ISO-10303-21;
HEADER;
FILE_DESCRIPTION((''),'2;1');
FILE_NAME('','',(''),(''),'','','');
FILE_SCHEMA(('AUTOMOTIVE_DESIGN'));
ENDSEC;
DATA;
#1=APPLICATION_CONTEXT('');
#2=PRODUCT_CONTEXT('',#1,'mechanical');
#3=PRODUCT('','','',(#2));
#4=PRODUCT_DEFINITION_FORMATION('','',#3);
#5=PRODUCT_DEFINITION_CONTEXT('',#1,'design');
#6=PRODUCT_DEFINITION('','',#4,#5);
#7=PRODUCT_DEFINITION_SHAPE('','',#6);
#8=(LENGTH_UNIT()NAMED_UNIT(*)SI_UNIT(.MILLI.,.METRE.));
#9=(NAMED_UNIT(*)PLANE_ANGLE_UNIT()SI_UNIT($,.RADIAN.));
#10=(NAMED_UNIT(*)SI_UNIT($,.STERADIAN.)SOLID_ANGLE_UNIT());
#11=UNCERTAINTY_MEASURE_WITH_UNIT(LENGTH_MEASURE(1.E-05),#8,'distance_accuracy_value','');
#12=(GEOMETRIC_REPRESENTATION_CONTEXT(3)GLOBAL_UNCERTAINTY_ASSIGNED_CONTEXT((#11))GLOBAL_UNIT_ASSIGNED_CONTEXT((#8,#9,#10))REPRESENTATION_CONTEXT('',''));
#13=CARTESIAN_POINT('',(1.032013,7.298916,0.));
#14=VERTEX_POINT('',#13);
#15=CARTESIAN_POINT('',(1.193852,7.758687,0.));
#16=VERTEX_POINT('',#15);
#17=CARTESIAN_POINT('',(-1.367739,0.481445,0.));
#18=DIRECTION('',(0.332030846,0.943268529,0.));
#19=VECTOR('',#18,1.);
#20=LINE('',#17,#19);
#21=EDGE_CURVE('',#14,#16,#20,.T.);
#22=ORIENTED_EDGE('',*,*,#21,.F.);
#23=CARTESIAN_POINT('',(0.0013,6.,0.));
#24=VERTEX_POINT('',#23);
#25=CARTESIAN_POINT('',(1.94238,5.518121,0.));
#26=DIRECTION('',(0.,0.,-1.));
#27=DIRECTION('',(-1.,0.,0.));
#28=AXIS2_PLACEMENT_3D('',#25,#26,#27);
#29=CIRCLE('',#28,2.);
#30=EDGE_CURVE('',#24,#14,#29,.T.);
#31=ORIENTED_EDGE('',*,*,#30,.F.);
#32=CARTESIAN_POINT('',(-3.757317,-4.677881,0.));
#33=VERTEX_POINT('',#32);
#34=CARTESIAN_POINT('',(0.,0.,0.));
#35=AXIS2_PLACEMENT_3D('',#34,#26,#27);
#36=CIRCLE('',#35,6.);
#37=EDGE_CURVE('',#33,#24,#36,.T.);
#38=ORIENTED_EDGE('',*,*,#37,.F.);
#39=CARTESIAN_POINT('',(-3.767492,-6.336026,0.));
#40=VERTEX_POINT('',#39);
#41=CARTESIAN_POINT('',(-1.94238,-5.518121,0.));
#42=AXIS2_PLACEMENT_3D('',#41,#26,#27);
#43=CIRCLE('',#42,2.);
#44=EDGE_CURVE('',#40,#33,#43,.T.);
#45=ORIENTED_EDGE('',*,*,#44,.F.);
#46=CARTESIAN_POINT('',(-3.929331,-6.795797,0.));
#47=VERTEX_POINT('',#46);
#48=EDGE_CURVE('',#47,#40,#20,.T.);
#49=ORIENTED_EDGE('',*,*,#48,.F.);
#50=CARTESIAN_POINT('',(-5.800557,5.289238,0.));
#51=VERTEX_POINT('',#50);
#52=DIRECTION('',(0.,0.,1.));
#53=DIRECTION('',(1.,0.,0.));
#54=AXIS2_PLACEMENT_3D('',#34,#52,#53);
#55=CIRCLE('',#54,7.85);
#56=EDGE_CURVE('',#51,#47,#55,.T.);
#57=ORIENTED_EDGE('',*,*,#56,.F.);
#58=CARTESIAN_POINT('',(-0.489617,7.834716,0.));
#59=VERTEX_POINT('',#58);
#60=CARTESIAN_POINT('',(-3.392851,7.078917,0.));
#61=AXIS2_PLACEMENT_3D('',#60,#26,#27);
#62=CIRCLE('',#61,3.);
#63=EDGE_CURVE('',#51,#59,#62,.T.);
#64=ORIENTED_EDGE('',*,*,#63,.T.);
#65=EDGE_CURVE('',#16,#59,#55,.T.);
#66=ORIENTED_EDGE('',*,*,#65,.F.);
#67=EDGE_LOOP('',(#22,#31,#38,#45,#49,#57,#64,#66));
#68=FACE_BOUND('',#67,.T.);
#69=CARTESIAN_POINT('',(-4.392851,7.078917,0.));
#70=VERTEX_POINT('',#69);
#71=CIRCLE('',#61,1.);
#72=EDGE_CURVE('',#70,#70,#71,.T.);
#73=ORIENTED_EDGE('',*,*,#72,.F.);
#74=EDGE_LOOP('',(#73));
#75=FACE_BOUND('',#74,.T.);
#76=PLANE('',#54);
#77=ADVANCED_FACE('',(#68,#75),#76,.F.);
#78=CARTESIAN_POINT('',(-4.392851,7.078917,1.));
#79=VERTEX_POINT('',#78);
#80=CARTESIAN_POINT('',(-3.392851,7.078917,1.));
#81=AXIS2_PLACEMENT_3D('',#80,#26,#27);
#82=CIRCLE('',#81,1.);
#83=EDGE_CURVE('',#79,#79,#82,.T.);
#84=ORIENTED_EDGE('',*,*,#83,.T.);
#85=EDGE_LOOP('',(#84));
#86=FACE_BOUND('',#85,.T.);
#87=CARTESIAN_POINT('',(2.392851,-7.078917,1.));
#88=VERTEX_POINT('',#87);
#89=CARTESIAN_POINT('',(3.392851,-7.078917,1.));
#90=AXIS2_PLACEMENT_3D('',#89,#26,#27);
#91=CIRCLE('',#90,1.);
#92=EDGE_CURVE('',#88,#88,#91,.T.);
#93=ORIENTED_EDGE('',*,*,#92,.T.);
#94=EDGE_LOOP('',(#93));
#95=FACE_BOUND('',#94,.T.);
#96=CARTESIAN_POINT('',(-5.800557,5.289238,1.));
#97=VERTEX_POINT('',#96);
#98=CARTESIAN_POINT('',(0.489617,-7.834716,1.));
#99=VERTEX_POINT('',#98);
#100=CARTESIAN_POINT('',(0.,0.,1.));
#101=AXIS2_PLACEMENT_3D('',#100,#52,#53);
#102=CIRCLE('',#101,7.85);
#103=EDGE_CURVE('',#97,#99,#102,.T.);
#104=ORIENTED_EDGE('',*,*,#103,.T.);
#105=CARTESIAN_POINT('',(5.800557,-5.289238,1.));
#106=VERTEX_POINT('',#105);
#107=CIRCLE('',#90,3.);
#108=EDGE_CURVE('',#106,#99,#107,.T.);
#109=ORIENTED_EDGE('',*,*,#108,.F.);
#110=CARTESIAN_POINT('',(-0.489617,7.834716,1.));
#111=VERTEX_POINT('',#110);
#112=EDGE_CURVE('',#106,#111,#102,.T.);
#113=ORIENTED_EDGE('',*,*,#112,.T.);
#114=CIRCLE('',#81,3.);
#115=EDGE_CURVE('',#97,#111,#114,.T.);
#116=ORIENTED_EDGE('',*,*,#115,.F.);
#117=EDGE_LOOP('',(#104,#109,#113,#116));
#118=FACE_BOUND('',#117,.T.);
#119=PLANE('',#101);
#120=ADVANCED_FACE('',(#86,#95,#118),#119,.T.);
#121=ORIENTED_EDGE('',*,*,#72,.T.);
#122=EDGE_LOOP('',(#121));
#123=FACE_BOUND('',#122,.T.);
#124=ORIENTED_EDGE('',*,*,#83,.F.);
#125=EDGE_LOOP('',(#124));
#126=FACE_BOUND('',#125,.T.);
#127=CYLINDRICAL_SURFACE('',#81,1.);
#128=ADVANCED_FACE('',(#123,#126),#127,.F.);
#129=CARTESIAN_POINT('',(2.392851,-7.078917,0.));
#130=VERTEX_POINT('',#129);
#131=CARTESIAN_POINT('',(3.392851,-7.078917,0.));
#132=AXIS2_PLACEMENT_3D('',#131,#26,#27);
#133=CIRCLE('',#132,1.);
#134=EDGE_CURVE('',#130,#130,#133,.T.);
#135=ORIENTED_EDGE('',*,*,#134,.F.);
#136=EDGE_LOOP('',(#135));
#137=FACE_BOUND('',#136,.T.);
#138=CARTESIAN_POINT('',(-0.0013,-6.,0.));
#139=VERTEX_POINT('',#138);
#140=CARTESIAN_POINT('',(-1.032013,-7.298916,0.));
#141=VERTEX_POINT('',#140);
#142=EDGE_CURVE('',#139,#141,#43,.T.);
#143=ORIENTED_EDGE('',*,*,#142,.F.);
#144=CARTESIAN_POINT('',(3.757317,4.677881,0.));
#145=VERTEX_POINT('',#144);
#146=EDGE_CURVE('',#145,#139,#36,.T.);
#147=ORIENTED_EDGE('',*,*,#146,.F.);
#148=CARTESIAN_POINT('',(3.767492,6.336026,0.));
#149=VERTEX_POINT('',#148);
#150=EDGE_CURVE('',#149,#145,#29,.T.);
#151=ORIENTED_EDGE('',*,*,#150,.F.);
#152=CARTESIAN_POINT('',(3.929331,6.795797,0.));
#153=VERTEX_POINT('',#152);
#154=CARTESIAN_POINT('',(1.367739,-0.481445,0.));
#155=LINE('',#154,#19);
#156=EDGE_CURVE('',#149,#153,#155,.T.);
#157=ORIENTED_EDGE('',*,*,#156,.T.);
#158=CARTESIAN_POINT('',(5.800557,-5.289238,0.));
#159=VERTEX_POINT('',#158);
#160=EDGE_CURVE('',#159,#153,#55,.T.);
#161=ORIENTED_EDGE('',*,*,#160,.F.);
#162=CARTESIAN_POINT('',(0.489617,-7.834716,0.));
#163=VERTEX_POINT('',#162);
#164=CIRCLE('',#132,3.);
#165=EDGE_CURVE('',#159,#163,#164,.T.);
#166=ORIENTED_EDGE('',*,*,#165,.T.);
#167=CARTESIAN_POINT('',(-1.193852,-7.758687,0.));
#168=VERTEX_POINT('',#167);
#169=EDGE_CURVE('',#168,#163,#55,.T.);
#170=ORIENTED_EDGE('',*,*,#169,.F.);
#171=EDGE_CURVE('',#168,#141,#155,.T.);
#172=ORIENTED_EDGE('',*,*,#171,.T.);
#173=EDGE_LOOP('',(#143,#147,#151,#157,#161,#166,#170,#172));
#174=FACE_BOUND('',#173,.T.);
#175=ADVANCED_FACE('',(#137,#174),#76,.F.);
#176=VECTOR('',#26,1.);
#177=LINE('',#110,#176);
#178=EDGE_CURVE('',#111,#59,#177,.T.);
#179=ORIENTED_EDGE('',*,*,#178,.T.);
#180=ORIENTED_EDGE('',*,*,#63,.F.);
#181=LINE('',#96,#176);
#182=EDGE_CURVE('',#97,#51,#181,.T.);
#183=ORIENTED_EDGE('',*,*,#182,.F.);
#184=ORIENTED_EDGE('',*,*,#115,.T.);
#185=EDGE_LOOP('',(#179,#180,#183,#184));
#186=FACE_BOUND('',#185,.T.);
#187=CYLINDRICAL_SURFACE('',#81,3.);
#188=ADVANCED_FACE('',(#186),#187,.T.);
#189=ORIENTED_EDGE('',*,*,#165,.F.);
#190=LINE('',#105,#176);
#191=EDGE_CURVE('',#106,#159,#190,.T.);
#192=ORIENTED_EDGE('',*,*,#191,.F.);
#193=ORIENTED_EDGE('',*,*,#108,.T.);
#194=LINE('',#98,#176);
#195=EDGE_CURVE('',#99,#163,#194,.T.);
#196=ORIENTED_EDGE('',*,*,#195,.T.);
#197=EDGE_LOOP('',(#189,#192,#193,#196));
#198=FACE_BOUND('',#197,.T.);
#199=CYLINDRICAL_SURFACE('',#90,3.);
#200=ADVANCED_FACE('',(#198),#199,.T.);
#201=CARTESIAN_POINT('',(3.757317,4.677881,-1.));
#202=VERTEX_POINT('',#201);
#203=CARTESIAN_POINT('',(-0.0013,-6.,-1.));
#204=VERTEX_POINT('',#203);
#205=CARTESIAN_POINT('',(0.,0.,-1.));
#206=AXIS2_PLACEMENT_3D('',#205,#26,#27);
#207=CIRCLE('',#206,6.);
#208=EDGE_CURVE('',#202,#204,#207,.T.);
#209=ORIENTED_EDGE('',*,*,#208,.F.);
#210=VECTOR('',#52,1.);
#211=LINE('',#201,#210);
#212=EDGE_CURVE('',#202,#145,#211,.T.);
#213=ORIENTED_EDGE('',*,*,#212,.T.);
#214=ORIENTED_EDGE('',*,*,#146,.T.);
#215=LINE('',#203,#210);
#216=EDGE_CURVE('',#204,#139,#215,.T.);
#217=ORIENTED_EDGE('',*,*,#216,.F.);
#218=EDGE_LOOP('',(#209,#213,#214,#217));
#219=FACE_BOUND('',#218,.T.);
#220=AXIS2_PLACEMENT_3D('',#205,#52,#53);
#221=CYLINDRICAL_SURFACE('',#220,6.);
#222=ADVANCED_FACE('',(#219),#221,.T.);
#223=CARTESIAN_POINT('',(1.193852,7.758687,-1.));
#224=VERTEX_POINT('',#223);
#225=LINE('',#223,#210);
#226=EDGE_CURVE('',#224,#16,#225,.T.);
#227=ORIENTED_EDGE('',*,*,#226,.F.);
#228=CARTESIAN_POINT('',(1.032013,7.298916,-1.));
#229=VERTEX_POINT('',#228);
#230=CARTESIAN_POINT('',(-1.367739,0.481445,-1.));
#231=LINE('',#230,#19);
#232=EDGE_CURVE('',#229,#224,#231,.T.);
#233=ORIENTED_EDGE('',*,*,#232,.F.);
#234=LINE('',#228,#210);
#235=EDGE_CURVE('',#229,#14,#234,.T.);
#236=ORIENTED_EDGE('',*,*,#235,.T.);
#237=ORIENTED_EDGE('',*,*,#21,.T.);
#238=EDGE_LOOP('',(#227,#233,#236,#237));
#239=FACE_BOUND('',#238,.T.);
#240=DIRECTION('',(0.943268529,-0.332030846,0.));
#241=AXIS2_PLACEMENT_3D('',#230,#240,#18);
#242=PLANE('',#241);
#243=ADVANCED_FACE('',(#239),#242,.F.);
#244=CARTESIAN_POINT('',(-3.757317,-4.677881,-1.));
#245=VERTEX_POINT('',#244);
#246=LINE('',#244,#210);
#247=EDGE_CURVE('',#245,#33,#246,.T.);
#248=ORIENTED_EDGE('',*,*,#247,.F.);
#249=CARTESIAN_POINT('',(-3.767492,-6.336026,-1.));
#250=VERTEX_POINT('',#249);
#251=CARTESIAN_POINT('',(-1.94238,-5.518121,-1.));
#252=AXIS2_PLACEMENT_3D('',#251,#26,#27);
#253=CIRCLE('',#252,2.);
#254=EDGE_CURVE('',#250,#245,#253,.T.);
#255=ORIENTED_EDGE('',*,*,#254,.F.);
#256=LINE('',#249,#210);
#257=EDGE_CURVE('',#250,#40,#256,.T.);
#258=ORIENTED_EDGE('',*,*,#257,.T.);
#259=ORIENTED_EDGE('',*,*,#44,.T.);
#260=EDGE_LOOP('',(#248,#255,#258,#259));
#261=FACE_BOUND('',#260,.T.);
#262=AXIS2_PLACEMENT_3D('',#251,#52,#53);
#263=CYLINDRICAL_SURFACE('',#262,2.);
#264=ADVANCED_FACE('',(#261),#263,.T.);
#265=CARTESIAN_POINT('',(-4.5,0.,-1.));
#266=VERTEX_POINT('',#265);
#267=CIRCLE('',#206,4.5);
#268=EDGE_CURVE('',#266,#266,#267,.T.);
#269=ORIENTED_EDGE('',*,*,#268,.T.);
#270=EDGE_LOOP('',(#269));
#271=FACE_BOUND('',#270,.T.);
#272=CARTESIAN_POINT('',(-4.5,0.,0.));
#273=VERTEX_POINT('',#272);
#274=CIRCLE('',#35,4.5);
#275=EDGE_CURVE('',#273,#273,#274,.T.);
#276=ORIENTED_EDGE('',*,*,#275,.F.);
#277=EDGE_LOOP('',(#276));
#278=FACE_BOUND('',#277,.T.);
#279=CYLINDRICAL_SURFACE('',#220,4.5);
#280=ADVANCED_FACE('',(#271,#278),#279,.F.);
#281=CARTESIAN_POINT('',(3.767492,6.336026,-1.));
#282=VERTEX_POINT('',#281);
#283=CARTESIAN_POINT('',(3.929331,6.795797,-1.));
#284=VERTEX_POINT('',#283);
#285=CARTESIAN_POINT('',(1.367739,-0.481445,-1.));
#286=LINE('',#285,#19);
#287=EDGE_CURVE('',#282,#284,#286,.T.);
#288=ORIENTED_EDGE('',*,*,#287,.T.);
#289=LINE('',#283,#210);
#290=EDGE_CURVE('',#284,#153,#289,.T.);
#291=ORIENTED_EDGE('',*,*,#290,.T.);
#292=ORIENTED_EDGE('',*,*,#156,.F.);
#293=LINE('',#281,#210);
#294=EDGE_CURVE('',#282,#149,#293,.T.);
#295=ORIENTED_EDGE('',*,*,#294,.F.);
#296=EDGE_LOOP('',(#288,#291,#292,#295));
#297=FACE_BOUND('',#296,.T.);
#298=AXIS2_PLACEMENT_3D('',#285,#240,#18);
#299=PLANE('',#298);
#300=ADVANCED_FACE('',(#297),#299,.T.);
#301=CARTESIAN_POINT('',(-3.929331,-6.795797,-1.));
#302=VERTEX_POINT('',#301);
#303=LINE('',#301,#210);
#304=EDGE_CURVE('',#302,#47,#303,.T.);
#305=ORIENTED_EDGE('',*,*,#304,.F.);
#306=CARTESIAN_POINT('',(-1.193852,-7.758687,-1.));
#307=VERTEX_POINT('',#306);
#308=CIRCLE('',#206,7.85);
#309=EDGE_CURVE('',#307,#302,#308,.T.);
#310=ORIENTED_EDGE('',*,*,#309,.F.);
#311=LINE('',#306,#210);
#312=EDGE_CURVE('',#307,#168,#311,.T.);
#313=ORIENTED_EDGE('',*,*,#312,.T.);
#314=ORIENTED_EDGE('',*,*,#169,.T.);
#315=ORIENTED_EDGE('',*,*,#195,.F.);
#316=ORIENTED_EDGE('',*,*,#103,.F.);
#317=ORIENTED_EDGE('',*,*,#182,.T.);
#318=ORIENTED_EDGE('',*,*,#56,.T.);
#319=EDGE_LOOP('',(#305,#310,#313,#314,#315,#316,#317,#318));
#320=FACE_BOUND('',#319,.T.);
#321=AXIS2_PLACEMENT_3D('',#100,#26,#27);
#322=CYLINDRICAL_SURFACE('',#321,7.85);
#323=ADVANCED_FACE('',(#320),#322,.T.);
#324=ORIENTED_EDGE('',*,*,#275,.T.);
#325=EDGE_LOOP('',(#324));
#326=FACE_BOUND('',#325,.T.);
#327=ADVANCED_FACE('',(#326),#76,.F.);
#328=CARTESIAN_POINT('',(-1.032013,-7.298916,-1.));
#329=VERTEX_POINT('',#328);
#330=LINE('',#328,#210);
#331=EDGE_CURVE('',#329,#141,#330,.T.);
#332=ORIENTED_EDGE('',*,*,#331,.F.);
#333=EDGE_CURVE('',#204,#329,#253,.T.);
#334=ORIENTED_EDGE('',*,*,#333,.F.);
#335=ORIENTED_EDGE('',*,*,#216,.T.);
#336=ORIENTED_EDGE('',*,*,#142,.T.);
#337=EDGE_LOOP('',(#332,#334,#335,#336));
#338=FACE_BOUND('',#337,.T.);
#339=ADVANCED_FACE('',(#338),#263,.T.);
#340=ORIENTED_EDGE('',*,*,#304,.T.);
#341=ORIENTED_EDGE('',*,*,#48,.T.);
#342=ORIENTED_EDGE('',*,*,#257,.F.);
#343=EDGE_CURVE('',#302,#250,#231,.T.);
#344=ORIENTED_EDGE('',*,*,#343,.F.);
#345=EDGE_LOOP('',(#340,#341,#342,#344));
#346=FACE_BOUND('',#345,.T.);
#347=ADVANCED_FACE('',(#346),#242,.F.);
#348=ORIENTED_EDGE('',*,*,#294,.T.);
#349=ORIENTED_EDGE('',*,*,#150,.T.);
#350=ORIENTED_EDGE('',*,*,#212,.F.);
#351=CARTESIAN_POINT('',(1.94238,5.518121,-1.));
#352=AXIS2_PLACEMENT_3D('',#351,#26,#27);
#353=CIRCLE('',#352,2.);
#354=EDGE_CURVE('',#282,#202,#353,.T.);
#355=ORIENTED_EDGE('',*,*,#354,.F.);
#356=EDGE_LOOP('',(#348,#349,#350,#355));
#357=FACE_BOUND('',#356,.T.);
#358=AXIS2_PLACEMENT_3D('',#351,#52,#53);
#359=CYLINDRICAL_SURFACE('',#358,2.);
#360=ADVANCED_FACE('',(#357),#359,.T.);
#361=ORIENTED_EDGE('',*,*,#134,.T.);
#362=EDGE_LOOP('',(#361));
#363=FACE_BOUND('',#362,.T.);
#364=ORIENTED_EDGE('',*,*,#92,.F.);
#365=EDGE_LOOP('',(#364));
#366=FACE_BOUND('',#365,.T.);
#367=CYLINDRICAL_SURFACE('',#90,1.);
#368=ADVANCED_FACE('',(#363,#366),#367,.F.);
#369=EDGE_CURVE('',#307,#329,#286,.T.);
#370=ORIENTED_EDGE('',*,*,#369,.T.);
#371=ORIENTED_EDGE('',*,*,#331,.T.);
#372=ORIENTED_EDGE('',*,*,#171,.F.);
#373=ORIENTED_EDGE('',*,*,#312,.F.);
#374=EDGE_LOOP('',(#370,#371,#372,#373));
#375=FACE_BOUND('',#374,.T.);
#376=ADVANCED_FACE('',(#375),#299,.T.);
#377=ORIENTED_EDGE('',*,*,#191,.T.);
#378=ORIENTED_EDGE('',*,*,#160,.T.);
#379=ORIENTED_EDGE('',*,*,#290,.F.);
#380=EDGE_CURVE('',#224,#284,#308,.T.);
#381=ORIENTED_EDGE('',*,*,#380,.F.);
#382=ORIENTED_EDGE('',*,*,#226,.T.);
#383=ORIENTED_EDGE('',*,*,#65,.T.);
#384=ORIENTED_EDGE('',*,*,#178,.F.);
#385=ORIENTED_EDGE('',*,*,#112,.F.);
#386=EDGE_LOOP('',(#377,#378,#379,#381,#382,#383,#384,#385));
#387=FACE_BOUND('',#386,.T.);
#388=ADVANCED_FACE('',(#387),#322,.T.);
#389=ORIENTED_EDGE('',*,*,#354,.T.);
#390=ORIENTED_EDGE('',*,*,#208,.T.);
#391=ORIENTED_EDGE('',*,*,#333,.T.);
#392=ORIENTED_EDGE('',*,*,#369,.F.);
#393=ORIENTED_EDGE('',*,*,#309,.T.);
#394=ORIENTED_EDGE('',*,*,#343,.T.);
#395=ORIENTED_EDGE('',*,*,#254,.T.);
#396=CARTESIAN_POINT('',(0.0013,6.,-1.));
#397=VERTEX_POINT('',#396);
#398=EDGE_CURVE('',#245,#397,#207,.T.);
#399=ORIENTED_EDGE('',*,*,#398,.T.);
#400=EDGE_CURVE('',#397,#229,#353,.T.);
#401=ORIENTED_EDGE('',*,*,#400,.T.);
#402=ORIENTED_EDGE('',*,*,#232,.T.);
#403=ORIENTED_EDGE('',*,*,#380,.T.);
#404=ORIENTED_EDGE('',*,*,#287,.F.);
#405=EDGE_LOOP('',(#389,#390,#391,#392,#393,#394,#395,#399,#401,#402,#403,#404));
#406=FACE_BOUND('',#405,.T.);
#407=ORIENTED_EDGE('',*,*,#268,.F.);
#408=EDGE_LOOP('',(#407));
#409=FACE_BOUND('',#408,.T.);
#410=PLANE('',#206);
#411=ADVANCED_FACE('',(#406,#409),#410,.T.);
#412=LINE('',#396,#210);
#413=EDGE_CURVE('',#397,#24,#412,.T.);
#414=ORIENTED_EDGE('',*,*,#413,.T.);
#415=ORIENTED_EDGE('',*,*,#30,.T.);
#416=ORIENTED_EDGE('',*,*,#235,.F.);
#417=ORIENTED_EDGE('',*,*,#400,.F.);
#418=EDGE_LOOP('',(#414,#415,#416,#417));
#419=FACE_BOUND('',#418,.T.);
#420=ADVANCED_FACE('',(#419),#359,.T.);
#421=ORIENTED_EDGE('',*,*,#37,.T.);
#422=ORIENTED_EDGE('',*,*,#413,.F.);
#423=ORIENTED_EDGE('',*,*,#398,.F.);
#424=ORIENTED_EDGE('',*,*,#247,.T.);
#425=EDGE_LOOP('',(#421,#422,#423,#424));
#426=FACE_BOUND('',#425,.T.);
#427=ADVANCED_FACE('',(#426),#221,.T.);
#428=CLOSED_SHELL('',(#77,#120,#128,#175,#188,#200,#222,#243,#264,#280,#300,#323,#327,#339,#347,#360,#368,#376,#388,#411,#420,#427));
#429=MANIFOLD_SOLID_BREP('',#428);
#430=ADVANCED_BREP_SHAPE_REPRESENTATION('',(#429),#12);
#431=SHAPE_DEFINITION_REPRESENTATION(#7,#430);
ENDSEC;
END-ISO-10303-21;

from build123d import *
from build123d.topology import SkipClean

# Parameters (mm, degrees)
SKETCH1_R           = 7.85
BOSS_EXTRUDE1_DEPTH = 1
BOSS_EXTRUDE2_START = 1
SKETCH3_R           = 6
SKETCH3_R_2         = 4.5
BOSS_EXTRUDE2_DEPTH = 1
BOSS_EXTRUDE3_DEPTH = 1
SKETCH2_3_R         = 1
CUT_EXTRUDE1_DEPTH  = 2
SKETCH2_4_R         = 1
CUT_EXTRUDE2_DEPTH  = 3


with BuildPart() as part:
    # Sketch1 → Boss-Extrude1 (new body)
    with BuildSketch(Plane.XY):
        Circle(SKETCH1_R)
    extrude(amount=BOSS_EXTRUDE1_DEPTH)

    # Sketch3 → Boss-Extrude2 (add)
    # profile 1 of 3: a face of its own
    with SkipClean():  # the faces are left unmerged after this step: merging them gives an invalid solid
        with BuildSketch(Plane(origin=(0, 0, 0), x_dir=(-1, 0, 0), z_dir=(0, 0, -1)).offset(BOSS_EXTRUDE2_START)):
            Circle(SKETCH3_R)
            Circle(SKETCH3_R_2, mode=Mode.SUBTRACT)
        # profile 2 of 3: a face of its own
        with BuildSketch(Plane(origin=(0, 0, 0), x_dir=(-1, 0, 0), z_dir=(0, 0, -1)).offset(BOSS_EXTRUDE2_START)):
            with BuildLine():
                ThreePointArc((3.757317387, -4.677880508), (1.992185075, -5.659611173), (0.001300165, -5.999999859))
                ThreePointArc((0.001300165, -5.999999859), (0.375700996, -6.761308528), (1.032012818, -7.298915878))
                Line((1.032012818, -7.298915878), (1.193852248, -7.758686539))
                ThreePointArc((1.193852248, -7.758686539), (2.606442139, -7.404657951), (3.929330982, -6.795797086))
                Line((3.929330982, -6.795797086), (3.767491551, -6.336026426))
                ThreePointArc((3.767491551, -6.336026426), (3.9423428, -5.505849389), (3.757317387, -4.677880508))
            make_face()
        # profile 3 of 3: a face of its own
        with BuildSketch(Plane(origin=(0, 0, 0), x_dir=(-1, 0, 0), z_dir=(0, 0, -1)).offset(BOSS_EXTRUDE2_START)):
            with BuildLine():
                Line((-3.929330982, 6.795797086), (-3.767491551, 6.336026426))
                ThreePointArc((-3.767491551, 6.336026426), (-3.9423428, 5.505849389), (-3.757317387, 4.677880508))
                ThreePointArc((-3.757317387, 4.677880508), (-1.992185075, 5.659611173), (-0.001300165, 5.999999859))
                ThreePointArc((-0.001300165, 5.999999859), (-0.375700996, 6.761308528), (-1.032012818, 7.298915878))
                Line((-1.032012818, 7.298915878), (-1.193852248, 7.758686539))
                ThreePointArc((-1.193852248, 7.758686539), (-2.606442139, 7.404657951), (-3.929330982, 6.795797086))
            make_face()
        extrude(amount=-BOSS_EXTRUDE2_DEPTH)

    # Sketch2 → Boss-Extrude3 (add)
    with BuildSketch(Plane(origin=(0, 0, 0), x_dir=(-1, 0, 0), z_dir=(0, 0, -1))):
        with BuildLine():
            ThreePointArc((-4.265263368, -6.590146311), (-5.074768612, -5.989092046), (-5.800557161, -5.289237811))
            ThreePointArc((-5.800557161, -5.289237811), (-4.68948187, -9.784235269), (-0.489616971, -7.834716027))
            ThreePointArc((-0.489616971, -7.834716027), (-1.489786667, -7.707336485), (-2.46537987, -7.452811691))
            ThreePointArc((-2.46537987, -7.452811691), (-3.825061249, -7.980689597), (-4.265263368, -6.590146311))
        make_face()
        with BuildLine():
            ThreePointArc((2.46537987, 7.452811691), (3.583283252, 8.060617089), (4.392850938, 7.078916761))
            ThreePointArc((4.392850938, 7.078916761), (4.360428436, 6.826342445), (4.265263368, 6.590146311))
            ThreePointArc((4.265263368, 6.590146311), (5.074768612, 5.989092046), (5.800557161, 5.289237811))
            ThreePointArc((5.800557161, 5.289237811), (4.68948187, 9.784235269), (0.489616971, 7.834716027))
            ThreePointArc((0.489616971, 7.834716027), (1.489786667, 7.707336485), (2.46537987, 7.452811691))
        make_face()
    extrude(amount=-BOSS_EXTRUDE3_DEPTH)

    # Sketch2<3> → Cut-Extrude1 (cut)
    with BuildSketch(Plane(origin=(0, 0, 0), x_dir=(-1, 0, 0), z_dir=(0, 0, -1))):
        with Locations((3.392850938, 7.078916761)):
            Circle(SKETCH2_3_R)
    extrude(amount=-CUT_EXTRUDE1_DEPTH, mode=Mode.SUBTRACT)

    # Sketch2<4> → Cut-Extrude2 (cut)
    with BuildSketch(Plane(origin=(0, 0, 0), x_dir=(-1, 0, 0), z_dir=(0, 0, -1))):
        with Locations((-3.392850938, -7.078916761)):
            Circle(SKETCH2_4_R)
    extrude(amount=-CUT_EXTRUDE2_DEPTH, mode=Mode.SUBTRACT)


solid = part.part
